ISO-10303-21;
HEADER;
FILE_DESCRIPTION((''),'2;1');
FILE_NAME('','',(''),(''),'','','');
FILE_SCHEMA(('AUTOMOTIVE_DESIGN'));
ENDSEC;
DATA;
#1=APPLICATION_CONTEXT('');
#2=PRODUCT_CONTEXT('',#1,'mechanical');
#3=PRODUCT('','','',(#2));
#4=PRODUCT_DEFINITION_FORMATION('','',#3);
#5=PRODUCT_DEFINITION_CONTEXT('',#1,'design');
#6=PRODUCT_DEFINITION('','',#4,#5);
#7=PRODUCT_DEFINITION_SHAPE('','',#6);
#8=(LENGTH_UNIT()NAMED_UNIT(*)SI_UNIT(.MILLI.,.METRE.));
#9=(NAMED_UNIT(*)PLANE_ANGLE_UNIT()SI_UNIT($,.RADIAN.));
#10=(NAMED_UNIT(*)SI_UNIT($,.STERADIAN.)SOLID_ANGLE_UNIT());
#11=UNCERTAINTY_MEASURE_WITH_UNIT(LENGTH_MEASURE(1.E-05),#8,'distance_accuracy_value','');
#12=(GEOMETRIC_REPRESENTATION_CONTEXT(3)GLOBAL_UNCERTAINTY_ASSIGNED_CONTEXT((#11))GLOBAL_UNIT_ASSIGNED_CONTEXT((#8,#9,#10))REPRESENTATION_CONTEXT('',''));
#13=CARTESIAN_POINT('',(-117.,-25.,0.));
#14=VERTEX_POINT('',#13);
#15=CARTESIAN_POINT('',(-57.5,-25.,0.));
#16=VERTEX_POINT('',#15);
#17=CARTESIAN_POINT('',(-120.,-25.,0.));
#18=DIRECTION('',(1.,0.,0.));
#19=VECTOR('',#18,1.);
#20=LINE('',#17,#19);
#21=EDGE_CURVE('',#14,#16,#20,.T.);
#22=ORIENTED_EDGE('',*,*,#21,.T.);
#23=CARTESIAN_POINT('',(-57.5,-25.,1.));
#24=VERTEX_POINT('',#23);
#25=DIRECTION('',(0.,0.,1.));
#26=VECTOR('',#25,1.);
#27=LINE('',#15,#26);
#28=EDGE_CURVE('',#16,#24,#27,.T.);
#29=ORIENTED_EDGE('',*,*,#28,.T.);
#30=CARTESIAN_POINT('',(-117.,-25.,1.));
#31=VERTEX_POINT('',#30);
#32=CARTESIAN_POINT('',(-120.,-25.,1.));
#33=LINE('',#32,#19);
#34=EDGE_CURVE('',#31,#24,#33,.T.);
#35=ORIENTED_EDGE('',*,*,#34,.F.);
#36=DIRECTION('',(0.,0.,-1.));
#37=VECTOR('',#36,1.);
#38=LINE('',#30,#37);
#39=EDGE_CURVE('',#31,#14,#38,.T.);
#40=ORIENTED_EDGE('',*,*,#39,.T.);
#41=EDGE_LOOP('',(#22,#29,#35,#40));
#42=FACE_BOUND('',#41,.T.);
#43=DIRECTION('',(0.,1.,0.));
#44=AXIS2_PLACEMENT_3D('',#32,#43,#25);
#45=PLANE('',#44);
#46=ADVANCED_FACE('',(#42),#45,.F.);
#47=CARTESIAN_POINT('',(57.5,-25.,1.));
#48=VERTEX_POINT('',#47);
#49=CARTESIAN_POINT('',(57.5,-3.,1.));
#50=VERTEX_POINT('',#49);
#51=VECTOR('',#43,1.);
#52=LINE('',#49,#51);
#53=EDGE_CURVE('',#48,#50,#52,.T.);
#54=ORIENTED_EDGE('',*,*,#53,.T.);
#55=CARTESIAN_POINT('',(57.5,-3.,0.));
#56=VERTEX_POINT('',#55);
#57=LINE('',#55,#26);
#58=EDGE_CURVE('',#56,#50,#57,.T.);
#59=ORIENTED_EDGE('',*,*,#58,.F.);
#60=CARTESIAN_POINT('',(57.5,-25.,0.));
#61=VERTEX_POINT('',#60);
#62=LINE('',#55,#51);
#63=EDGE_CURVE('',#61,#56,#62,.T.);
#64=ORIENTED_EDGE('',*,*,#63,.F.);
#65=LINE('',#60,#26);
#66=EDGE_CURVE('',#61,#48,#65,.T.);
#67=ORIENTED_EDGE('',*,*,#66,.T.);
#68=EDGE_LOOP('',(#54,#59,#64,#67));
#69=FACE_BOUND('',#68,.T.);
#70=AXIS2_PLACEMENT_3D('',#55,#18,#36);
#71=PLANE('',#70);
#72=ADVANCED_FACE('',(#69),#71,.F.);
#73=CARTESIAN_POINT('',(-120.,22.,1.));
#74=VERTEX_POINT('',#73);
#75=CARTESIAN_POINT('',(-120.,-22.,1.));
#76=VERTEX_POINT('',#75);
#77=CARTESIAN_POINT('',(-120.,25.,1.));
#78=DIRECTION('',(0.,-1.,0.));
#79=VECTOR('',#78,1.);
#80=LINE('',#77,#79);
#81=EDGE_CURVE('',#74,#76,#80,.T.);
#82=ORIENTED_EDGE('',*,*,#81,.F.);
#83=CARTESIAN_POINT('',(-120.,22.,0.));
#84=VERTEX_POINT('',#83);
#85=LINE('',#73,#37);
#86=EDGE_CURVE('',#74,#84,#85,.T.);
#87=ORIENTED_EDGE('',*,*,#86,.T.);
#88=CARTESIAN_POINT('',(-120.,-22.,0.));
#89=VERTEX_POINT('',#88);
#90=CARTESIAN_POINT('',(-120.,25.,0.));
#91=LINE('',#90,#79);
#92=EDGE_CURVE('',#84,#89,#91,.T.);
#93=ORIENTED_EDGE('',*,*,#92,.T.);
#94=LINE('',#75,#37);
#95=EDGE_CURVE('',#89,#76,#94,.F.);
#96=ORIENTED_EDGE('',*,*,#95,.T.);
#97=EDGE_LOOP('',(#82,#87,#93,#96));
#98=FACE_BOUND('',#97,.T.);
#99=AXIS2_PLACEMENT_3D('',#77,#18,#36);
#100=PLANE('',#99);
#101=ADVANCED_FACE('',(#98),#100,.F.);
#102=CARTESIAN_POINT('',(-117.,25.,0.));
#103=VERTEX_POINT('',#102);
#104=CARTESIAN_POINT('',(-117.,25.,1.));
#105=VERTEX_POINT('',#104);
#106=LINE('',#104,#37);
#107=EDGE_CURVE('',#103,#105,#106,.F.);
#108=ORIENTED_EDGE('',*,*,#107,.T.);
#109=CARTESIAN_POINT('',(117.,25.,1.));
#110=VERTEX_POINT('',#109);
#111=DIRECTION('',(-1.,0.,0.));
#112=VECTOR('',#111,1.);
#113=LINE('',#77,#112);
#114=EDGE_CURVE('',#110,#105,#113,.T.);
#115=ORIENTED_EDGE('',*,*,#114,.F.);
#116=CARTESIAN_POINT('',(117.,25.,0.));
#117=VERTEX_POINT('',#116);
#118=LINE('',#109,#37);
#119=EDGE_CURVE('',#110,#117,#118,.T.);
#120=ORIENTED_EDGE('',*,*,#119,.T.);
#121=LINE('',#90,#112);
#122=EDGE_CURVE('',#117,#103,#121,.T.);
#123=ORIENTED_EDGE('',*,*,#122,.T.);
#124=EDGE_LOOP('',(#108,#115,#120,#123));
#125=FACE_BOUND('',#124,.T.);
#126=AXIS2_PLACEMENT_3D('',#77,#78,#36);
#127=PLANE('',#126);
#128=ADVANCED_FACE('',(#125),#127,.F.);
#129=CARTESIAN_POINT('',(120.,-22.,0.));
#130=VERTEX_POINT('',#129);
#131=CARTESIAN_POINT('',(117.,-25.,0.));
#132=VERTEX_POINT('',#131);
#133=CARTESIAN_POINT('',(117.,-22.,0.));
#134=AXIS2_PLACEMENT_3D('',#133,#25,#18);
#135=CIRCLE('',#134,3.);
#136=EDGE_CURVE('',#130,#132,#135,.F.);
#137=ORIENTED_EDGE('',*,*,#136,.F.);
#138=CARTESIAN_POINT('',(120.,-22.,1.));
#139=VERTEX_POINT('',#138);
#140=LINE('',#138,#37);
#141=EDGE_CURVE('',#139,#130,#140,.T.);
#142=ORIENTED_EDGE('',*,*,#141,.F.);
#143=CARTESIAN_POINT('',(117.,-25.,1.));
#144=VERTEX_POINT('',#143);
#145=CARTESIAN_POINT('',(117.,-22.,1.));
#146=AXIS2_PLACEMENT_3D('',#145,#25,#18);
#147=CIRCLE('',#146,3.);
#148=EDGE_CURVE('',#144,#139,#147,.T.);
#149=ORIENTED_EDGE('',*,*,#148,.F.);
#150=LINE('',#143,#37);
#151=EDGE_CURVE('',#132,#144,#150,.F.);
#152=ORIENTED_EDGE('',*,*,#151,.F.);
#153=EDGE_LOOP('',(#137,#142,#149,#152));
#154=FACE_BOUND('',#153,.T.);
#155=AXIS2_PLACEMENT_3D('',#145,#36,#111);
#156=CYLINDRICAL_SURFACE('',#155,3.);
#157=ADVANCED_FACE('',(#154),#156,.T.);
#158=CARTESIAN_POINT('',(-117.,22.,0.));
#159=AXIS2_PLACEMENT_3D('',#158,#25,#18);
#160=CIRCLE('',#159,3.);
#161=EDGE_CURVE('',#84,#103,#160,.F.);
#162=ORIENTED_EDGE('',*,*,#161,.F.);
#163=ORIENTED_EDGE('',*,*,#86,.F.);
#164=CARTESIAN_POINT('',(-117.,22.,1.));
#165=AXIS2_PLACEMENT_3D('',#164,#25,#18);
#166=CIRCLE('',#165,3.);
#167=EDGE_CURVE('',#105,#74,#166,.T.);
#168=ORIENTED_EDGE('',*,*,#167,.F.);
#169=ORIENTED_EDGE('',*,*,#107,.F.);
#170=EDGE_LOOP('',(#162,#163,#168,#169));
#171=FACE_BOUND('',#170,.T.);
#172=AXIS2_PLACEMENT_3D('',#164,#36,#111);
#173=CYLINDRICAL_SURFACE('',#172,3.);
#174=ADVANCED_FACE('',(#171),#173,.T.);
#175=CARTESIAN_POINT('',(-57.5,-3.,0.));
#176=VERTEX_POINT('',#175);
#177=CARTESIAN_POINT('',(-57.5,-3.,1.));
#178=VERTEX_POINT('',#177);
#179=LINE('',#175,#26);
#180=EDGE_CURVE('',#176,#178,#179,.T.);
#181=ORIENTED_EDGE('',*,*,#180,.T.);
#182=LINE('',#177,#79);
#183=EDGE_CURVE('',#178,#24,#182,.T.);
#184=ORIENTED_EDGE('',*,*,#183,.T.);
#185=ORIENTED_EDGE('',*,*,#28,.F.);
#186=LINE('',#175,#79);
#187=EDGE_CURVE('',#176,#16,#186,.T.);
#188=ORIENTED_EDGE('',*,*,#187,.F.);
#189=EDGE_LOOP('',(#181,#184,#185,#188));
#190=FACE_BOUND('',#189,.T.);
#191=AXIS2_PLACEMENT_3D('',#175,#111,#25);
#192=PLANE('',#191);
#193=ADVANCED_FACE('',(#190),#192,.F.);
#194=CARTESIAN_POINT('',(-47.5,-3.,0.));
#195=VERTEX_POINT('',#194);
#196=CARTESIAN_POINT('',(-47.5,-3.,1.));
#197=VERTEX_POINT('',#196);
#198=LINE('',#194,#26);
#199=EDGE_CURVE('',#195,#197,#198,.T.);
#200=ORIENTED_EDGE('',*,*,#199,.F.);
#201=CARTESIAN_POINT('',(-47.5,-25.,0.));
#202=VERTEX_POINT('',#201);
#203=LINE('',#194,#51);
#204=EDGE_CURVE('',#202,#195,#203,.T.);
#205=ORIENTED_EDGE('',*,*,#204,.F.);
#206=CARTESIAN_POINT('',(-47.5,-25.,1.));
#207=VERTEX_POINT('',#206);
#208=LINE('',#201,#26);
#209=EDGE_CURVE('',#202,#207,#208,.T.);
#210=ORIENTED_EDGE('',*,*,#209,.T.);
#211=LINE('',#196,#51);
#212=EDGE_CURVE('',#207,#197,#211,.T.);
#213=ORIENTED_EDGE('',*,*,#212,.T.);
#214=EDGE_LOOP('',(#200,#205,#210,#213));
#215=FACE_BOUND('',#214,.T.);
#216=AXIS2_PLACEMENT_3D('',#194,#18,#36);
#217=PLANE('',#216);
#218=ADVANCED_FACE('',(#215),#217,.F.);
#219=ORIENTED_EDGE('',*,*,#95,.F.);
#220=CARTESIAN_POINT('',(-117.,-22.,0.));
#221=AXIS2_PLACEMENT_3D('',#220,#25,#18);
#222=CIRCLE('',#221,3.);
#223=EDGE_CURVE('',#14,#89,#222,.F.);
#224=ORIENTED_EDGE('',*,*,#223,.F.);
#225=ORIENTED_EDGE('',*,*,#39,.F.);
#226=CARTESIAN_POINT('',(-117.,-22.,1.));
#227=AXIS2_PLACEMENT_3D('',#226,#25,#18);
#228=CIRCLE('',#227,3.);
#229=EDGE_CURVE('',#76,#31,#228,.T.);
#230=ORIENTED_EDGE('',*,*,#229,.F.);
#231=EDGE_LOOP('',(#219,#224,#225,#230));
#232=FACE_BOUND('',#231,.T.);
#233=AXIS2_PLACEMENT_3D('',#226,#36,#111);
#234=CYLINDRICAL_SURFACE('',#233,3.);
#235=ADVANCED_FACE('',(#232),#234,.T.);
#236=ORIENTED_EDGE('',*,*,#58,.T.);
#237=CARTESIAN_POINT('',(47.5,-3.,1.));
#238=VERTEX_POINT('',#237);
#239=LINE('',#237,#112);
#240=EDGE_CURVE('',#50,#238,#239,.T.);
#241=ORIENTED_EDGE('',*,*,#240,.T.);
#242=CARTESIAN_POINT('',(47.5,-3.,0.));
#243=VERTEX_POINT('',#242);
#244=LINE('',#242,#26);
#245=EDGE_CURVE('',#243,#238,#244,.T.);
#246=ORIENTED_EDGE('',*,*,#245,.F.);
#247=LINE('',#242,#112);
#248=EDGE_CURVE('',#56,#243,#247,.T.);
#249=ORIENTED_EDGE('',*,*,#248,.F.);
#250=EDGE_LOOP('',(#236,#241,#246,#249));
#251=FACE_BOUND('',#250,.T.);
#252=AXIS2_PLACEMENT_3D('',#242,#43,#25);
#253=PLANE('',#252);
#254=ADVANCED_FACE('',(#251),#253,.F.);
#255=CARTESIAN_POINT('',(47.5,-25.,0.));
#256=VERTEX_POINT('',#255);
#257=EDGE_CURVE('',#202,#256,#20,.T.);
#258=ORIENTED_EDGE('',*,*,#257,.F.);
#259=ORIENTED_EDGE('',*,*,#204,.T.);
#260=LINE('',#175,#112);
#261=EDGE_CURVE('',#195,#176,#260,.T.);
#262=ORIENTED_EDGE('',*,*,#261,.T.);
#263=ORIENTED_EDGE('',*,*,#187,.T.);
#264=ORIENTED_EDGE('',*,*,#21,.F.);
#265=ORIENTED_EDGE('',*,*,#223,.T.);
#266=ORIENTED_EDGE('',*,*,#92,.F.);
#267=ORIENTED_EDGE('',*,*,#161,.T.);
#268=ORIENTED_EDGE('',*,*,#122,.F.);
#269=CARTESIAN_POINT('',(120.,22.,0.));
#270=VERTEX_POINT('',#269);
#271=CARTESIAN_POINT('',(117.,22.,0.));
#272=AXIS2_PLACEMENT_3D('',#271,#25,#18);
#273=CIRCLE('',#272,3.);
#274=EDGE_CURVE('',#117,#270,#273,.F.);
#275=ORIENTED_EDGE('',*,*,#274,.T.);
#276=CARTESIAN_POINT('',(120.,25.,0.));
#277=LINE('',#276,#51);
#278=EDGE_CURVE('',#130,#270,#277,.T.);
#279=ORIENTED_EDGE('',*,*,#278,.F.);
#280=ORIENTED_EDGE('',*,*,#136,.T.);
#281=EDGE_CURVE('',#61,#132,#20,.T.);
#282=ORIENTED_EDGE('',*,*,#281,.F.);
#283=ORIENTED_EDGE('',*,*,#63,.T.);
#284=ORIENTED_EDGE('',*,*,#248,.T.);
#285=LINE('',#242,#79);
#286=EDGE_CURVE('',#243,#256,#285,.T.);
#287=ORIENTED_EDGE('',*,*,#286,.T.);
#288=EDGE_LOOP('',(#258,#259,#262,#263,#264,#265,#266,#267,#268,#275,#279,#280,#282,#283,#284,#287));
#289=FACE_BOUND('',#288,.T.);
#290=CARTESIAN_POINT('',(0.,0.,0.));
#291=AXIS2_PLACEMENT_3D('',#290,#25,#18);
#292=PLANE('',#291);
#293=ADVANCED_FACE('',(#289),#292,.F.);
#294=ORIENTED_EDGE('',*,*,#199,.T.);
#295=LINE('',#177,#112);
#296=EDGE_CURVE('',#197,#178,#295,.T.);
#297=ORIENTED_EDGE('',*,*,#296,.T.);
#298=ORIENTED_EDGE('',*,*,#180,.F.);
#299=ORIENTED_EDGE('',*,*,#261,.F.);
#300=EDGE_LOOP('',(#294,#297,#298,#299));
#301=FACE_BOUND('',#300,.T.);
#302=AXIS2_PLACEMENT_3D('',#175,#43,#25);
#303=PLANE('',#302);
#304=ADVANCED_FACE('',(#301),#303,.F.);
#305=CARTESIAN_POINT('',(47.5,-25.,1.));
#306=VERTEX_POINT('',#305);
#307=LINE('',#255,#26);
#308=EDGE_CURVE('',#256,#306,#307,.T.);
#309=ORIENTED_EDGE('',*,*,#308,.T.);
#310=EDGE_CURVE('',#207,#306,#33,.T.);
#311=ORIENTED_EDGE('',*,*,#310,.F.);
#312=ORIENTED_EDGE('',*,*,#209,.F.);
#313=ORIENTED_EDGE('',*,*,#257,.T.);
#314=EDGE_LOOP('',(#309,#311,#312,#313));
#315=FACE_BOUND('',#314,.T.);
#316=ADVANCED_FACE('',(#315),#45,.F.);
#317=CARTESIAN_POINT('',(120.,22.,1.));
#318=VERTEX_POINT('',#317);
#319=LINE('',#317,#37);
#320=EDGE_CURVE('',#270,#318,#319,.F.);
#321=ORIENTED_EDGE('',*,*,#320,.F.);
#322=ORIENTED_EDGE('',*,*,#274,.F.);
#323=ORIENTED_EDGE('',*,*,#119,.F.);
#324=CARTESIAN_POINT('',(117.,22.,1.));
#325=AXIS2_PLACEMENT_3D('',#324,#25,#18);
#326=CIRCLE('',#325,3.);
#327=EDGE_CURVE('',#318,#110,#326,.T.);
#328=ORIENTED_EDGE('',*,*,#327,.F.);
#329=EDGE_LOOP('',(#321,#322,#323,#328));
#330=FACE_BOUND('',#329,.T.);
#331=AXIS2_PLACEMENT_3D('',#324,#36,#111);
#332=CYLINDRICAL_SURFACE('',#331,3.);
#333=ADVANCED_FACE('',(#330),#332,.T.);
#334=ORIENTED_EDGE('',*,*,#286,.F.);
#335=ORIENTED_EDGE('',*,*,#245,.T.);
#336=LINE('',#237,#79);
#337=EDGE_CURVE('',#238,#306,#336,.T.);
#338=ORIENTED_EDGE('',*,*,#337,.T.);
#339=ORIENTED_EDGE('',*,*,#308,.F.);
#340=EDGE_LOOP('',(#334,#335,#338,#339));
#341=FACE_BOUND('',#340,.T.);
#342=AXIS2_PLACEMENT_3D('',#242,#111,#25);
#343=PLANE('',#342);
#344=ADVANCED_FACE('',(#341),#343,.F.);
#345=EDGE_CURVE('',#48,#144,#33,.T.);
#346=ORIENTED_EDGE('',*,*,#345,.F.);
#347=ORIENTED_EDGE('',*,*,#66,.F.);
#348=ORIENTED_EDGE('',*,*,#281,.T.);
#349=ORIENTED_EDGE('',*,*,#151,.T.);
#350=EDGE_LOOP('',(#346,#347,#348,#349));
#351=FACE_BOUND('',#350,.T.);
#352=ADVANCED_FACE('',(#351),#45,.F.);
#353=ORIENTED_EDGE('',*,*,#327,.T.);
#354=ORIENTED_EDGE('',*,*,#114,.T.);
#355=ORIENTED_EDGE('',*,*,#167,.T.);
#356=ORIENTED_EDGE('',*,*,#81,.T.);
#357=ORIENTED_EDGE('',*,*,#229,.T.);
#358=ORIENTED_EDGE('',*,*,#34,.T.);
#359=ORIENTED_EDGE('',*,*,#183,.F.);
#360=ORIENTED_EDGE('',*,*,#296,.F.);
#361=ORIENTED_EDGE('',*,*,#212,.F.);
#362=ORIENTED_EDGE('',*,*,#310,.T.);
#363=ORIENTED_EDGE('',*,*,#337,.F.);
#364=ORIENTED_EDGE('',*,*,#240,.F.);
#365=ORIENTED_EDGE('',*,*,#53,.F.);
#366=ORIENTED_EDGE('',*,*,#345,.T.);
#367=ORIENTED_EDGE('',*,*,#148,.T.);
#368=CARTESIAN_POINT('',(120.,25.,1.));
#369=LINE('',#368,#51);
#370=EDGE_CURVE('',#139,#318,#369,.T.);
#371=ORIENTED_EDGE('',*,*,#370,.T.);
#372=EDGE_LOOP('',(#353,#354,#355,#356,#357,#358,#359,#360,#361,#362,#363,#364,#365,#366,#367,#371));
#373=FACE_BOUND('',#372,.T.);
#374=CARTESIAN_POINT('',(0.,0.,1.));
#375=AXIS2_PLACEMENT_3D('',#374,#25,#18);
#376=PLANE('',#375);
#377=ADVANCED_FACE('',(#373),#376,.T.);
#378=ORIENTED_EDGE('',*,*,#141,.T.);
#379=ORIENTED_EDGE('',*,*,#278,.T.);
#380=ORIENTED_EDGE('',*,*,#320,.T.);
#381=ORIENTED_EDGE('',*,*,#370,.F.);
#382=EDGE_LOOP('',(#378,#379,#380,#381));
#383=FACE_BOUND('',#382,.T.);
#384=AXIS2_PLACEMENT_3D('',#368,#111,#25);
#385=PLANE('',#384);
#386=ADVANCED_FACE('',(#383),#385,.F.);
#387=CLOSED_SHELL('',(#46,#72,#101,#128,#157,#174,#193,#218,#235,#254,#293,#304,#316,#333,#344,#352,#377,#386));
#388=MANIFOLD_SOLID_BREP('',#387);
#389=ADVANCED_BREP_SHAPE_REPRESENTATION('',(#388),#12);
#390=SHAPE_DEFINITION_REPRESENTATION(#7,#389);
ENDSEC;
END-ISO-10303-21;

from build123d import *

# Parameters (mm, degrees)
SKETCH_1_W          = 240
SKETCH_1_H          = 50
EXTRUDE_1_DEPTH     = 1
FILLET_1_R          = 3
SKETCH_2_W          = 10
SKETCH_2_H          = 22
CUT_EXTRUDE_1_DEPTH = 123.580585739


with BuildPart() as part:
    # 草图1 → 凸台-拉伸1 (new body)
    with BuildSketch(Plane.XY):
        Rectangle(SKETCH_1_W, SKETCH_1_H)
    extrude(amount=EXTRUDE_1_DEPTH)

    # 圆角1
    fillet_1_edges = [part.edges().sort_by_distance(p)[0] for p in [
        (120, -25, 0.5),
        (-120, -25, 0.5),
        (-120, 25, 0.5),
        (120, 25, 0.5),
    ]]
    fillet(fillet_1_edges, radius=FILLET_1_R)

    # 草图2 → 切除-拉伸1 (cut, through all)
    with BuildSketch(Plane.XY.offset(1)):
        with Locations((-52.5, -14)):
            Rectangle(SKETCH_2_W, SKETCH_2_H)
        with Locations((52.5, -14)):
            Rectangle(SKETCH_2_W, SKETCH_2_H)
    extrude(amount=-CUT_EXTRUDE_1_DEPTH, mode=Mode.SUBTRACT)


solid = part.part
